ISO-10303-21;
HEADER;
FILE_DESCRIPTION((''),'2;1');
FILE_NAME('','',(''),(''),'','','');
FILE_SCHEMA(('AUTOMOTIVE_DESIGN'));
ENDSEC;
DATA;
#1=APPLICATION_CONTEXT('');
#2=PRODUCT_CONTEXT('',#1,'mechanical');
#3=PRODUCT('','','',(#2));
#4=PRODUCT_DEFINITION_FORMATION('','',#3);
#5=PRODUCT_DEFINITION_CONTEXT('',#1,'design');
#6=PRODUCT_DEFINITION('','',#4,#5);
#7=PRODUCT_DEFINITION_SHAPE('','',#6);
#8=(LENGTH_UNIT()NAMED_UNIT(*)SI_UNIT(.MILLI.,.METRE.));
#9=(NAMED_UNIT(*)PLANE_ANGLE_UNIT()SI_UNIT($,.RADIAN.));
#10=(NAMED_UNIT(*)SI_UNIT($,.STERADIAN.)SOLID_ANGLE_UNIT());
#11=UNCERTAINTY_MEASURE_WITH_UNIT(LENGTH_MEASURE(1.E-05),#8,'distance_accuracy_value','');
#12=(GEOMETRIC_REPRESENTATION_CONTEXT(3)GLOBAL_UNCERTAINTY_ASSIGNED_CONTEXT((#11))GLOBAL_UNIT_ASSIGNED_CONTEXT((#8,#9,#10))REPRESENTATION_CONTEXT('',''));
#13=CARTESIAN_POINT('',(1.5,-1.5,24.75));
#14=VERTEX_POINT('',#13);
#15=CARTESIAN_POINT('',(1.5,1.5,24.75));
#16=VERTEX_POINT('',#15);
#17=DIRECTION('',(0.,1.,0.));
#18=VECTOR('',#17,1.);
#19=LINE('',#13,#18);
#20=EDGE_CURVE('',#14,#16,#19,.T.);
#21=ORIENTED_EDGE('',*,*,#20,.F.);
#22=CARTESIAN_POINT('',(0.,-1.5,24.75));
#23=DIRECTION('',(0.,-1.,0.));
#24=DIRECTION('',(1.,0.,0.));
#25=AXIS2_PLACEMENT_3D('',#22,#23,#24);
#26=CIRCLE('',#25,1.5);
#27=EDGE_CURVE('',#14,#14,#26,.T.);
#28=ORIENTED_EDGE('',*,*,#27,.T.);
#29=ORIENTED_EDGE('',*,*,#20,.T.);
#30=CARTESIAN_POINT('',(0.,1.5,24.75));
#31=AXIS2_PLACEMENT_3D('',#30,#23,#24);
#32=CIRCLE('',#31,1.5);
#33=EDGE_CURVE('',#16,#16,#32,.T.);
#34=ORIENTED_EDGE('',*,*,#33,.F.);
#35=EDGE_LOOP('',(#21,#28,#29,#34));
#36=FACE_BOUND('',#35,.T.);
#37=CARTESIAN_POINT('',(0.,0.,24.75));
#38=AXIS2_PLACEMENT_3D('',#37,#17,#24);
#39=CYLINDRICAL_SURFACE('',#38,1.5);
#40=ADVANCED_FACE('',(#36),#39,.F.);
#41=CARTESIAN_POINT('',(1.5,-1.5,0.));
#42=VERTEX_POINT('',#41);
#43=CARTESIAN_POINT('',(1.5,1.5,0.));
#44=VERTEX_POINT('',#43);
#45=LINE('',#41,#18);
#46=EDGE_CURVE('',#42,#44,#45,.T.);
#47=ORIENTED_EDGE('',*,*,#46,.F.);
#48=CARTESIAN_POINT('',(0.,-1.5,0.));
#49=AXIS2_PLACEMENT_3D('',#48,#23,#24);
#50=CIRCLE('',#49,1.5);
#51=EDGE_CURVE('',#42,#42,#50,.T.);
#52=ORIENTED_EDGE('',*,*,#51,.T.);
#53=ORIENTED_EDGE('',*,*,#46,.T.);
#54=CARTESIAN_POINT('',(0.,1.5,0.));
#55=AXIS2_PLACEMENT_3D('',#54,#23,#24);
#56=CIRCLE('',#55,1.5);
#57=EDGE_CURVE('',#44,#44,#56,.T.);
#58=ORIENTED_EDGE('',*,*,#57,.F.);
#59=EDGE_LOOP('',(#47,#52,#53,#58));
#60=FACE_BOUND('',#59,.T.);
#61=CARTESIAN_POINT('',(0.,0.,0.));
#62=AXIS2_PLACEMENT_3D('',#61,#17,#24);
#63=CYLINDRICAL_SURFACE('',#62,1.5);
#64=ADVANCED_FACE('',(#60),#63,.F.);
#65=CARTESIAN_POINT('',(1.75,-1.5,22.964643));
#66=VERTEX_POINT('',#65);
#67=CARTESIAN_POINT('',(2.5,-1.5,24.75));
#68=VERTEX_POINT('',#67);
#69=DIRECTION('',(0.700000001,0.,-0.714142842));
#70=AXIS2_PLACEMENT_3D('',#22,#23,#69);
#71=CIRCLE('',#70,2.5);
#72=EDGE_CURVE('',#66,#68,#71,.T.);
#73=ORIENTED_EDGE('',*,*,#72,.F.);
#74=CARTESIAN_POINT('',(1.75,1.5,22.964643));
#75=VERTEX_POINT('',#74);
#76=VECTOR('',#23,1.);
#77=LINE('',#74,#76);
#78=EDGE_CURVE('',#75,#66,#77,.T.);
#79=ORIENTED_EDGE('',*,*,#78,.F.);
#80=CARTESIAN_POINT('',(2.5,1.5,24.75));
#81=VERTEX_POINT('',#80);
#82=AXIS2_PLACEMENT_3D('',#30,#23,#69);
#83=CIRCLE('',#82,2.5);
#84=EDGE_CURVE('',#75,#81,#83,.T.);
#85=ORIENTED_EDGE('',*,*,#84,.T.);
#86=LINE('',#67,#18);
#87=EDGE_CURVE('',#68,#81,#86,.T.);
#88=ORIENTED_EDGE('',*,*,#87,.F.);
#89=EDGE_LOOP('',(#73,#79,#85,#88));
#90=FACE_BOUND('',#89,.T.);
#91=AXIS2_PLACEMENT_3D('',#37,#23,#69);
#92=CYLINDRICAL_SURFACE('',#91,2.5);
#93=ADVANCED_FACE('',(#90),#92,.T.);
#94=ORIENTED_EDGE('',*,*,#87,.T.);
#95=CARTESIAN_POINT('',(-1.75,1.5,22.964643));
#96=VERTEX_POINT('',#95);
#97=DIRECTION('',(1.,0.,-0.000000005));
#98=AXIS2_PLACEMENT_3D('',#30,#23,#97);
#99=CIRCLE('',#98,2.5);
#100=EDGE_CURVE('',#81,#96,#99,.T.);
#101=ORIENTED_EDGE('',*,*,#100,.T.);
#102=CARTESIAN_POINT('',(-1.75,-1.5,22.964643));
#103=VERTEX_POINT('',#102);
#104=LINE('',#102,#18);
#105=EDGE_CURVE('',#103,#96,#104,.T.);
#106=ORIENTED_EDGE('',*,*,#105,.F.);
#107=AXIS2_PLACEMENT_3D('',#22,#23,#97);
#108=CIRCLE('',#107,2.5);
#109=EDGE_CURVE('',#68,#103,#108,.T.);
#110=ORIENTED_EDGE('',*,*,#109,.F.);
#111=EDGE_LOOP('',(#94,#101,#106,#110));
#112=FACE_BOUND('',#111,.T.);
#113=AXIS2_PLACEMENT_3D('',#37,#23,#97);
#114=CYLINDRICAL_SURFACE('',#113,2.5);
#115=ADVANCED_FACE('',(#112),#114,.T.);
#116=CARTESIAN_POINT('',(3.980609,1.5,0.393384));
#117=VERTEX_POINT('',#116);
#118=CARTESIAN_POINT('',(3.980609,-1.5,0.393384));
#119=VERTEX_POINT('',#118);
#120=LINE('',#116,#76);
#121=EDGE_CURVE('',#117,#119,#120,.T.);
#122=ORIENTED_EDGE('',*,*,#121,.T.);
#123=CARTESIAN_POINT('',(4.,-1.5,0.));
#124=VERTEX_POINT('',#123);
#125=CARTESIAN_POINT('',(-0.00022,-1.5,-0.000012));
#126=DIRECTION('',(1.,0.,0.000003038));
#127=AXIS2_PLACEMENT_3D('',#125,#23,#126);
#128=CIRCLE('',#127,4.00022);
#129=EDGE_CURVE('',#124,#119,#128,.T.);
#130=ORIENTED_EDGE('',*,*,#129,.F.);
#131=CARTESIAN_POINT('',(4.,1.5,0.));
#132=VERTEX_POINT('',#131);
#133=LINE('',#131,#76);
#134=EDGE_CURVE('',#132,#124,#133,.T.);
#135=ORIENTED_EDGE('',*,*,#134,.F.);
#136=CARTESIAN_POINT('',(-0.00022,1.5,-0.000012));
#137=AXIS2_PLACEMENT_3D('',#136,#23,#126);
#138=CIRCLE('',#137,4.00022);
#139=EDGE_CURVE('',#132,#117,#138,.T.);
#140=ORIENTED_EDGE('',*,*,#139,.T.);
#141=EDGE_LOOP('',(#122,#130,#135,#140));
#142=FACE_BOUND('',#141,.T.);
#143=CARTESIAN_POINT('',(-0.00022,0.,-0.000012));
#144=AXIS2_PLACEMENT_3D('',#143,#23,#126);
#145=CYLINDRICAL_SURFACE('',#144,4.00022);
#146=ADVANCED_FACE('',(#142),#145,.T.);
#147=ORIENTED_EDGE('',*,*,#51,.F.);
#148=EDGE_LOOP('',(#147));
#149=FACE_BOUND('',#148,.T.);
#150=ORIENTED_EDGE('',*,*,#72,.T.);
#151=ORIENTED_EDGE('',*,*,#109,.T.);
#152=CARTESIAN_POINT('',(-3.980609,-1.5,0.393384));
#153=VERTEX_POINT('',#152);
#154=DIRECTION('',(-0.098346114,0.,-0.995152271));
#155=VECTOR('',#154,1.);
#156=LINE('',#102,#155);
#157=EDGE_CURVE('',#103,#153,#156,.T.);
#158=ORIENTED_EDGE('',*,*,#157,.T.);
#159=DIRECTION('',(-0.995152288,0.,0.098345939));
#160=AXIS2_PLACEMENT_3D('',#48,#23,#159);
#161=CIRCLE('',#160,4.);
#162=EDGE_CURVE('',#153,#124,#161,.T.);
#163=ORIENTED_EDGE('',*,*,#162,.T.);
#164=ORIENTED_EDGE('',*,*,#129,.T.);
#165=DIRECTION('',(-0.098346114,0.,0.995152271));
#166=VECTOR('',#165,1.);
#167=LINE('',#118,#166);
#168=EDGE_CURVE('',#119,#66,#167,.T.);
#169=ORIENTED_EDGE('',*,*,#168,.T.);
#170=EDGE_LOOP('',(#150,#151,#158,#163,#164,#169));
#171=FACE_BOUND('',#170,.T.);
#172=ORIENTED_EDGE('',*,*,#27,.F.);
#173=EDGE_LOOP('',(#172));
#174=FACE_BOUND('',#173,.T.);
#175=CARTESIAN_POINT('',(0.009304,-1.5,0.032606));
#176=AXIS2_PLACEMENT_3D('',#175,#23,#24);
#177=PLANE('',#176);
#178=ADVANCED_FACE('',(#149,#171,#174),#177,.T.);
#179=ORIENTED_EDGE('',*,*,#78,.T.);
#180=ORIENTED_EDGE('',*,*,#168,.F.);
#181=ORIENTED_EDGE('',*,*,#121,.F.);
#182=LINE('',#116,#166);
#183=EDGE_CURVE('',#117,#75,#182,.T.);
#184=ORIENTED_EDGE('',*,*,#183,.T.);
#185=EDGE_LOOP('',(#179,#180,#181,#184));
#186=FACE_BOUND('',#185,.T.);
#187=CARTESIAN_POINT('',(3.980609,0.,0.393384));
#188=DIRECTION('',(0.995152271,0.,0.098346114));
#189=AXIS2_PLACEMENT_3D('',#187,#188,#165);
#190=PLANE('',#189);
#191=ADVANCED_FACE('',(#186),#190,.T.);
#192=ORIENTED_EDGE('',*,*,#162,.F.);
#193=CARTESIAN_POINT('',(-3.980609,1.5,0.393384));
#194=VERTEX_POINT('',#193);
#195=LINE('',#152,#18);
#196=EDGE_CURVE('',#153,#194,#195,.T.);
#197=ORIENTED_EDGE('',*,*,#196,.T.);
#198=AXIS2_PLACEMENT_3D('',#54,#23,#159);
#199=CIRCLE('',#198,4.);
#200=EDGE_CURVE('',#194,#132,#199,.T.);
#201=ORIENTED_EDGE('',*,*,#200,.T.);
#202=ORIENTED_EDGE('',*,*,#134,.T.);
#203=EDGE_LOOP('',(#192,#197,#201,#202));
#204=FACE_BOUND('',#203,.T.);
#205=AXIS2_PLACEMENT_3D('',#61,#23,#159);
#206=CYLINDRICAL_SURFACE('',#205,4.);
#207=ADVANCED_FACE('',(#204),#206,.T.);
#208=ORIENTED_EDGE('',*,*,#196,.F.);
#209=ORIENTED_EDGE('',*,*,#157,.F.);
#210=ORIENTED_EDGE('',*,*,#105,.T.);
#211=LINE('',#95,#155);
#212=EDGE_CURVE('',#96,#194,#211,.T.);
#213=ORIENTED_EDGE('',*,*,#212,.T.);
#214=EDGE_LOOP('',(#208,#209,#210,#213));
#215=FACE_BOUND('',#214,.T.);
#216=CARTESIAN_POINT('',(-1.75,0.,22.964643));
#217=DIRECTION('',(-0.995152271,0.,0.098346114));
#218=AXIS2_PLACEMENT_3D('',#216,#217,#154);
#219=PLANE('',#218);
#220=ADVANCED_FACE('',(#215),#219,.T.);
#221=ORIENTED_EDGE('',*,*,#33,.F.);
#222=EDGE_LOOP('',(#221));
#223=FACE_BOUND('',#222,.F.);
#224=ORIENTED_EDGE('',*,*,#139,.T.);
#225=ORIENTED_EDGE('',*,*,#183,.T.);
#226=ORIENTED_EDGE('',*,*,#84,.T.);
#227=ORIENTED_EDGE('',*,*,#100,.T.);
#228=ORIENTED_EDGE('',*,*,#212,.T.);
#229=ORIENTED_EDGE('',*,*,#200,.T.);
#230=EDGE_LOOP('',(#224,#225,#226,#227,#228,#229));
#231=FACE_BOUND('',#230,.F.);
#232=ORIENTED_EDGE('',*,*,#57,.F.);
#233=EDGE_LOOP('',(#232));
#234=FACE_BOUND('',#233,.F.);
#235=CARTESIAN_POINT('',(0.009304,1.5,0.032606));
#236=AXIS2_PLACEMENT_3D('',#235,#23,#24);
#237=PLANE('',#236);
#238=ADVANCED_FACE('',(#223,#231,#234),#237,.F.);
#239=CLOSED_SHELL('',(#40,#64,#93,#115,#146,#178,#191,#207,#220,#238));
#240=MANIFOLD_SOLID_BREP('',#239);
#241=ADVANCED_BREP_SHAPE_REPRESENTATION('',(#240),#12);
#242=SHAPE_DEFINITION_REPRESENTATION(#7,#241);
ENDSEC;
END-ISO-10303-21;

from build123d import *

# Parameters (mm, degrees)
F0_R     = 1.5
F1_DEPTH = 1.5


with BuildPart() as f1:
    # F0 (on Front) → F1 (new body, symmetric)
    with BuildSketch(Plane.XZ):
        with BuildLine():
            ThreePointArc((-3.980609, 0.393384), (-0.196931, -3.995149), (4, 0))
            ThreePointArc((4, 0), (3.995149, 0.196931), (3.980609, 0.393384))
            ThreePointArc((3.980609, 0.393384), (0, 4), (-3.980609, 0.393384))
        make_face()
        Circle(F0_R, mode=Mode.SUBTRACT)
        with BuildLine():
            ThreePointArc((-3.980609, 0.393384), (0, 4), (3.980609, 0.393384))
            Line((3.980609, 0.393384), (1.75, 22.964643))
            ThreePointArc((1.75, 22.964643), (0, 22.25), (-1.75, 22.964643))
            Line((-1.75, 22.964643), (-3.980609, 0.393384))
        make_face()
        with BuildLine():
            ThreePointArc((-1.75, 22.964643), (0, 22.25), (1.75, 22.964643))
            ThreePointArc((1.75, 22.964643), (2.304886, 23.781754), (2.5, 24.75))
            ThreePointArc((2.5, 24.75), (-0.968246, 27.054886), (-1.75, 22.964643))
        make_face()
        with Locations((0, 24.75)):
            Circle(F0_R, mode=Mode.SUBTRACT)
    extrude(amount=F1_DEPTH, both=True)


solid = f1.part
